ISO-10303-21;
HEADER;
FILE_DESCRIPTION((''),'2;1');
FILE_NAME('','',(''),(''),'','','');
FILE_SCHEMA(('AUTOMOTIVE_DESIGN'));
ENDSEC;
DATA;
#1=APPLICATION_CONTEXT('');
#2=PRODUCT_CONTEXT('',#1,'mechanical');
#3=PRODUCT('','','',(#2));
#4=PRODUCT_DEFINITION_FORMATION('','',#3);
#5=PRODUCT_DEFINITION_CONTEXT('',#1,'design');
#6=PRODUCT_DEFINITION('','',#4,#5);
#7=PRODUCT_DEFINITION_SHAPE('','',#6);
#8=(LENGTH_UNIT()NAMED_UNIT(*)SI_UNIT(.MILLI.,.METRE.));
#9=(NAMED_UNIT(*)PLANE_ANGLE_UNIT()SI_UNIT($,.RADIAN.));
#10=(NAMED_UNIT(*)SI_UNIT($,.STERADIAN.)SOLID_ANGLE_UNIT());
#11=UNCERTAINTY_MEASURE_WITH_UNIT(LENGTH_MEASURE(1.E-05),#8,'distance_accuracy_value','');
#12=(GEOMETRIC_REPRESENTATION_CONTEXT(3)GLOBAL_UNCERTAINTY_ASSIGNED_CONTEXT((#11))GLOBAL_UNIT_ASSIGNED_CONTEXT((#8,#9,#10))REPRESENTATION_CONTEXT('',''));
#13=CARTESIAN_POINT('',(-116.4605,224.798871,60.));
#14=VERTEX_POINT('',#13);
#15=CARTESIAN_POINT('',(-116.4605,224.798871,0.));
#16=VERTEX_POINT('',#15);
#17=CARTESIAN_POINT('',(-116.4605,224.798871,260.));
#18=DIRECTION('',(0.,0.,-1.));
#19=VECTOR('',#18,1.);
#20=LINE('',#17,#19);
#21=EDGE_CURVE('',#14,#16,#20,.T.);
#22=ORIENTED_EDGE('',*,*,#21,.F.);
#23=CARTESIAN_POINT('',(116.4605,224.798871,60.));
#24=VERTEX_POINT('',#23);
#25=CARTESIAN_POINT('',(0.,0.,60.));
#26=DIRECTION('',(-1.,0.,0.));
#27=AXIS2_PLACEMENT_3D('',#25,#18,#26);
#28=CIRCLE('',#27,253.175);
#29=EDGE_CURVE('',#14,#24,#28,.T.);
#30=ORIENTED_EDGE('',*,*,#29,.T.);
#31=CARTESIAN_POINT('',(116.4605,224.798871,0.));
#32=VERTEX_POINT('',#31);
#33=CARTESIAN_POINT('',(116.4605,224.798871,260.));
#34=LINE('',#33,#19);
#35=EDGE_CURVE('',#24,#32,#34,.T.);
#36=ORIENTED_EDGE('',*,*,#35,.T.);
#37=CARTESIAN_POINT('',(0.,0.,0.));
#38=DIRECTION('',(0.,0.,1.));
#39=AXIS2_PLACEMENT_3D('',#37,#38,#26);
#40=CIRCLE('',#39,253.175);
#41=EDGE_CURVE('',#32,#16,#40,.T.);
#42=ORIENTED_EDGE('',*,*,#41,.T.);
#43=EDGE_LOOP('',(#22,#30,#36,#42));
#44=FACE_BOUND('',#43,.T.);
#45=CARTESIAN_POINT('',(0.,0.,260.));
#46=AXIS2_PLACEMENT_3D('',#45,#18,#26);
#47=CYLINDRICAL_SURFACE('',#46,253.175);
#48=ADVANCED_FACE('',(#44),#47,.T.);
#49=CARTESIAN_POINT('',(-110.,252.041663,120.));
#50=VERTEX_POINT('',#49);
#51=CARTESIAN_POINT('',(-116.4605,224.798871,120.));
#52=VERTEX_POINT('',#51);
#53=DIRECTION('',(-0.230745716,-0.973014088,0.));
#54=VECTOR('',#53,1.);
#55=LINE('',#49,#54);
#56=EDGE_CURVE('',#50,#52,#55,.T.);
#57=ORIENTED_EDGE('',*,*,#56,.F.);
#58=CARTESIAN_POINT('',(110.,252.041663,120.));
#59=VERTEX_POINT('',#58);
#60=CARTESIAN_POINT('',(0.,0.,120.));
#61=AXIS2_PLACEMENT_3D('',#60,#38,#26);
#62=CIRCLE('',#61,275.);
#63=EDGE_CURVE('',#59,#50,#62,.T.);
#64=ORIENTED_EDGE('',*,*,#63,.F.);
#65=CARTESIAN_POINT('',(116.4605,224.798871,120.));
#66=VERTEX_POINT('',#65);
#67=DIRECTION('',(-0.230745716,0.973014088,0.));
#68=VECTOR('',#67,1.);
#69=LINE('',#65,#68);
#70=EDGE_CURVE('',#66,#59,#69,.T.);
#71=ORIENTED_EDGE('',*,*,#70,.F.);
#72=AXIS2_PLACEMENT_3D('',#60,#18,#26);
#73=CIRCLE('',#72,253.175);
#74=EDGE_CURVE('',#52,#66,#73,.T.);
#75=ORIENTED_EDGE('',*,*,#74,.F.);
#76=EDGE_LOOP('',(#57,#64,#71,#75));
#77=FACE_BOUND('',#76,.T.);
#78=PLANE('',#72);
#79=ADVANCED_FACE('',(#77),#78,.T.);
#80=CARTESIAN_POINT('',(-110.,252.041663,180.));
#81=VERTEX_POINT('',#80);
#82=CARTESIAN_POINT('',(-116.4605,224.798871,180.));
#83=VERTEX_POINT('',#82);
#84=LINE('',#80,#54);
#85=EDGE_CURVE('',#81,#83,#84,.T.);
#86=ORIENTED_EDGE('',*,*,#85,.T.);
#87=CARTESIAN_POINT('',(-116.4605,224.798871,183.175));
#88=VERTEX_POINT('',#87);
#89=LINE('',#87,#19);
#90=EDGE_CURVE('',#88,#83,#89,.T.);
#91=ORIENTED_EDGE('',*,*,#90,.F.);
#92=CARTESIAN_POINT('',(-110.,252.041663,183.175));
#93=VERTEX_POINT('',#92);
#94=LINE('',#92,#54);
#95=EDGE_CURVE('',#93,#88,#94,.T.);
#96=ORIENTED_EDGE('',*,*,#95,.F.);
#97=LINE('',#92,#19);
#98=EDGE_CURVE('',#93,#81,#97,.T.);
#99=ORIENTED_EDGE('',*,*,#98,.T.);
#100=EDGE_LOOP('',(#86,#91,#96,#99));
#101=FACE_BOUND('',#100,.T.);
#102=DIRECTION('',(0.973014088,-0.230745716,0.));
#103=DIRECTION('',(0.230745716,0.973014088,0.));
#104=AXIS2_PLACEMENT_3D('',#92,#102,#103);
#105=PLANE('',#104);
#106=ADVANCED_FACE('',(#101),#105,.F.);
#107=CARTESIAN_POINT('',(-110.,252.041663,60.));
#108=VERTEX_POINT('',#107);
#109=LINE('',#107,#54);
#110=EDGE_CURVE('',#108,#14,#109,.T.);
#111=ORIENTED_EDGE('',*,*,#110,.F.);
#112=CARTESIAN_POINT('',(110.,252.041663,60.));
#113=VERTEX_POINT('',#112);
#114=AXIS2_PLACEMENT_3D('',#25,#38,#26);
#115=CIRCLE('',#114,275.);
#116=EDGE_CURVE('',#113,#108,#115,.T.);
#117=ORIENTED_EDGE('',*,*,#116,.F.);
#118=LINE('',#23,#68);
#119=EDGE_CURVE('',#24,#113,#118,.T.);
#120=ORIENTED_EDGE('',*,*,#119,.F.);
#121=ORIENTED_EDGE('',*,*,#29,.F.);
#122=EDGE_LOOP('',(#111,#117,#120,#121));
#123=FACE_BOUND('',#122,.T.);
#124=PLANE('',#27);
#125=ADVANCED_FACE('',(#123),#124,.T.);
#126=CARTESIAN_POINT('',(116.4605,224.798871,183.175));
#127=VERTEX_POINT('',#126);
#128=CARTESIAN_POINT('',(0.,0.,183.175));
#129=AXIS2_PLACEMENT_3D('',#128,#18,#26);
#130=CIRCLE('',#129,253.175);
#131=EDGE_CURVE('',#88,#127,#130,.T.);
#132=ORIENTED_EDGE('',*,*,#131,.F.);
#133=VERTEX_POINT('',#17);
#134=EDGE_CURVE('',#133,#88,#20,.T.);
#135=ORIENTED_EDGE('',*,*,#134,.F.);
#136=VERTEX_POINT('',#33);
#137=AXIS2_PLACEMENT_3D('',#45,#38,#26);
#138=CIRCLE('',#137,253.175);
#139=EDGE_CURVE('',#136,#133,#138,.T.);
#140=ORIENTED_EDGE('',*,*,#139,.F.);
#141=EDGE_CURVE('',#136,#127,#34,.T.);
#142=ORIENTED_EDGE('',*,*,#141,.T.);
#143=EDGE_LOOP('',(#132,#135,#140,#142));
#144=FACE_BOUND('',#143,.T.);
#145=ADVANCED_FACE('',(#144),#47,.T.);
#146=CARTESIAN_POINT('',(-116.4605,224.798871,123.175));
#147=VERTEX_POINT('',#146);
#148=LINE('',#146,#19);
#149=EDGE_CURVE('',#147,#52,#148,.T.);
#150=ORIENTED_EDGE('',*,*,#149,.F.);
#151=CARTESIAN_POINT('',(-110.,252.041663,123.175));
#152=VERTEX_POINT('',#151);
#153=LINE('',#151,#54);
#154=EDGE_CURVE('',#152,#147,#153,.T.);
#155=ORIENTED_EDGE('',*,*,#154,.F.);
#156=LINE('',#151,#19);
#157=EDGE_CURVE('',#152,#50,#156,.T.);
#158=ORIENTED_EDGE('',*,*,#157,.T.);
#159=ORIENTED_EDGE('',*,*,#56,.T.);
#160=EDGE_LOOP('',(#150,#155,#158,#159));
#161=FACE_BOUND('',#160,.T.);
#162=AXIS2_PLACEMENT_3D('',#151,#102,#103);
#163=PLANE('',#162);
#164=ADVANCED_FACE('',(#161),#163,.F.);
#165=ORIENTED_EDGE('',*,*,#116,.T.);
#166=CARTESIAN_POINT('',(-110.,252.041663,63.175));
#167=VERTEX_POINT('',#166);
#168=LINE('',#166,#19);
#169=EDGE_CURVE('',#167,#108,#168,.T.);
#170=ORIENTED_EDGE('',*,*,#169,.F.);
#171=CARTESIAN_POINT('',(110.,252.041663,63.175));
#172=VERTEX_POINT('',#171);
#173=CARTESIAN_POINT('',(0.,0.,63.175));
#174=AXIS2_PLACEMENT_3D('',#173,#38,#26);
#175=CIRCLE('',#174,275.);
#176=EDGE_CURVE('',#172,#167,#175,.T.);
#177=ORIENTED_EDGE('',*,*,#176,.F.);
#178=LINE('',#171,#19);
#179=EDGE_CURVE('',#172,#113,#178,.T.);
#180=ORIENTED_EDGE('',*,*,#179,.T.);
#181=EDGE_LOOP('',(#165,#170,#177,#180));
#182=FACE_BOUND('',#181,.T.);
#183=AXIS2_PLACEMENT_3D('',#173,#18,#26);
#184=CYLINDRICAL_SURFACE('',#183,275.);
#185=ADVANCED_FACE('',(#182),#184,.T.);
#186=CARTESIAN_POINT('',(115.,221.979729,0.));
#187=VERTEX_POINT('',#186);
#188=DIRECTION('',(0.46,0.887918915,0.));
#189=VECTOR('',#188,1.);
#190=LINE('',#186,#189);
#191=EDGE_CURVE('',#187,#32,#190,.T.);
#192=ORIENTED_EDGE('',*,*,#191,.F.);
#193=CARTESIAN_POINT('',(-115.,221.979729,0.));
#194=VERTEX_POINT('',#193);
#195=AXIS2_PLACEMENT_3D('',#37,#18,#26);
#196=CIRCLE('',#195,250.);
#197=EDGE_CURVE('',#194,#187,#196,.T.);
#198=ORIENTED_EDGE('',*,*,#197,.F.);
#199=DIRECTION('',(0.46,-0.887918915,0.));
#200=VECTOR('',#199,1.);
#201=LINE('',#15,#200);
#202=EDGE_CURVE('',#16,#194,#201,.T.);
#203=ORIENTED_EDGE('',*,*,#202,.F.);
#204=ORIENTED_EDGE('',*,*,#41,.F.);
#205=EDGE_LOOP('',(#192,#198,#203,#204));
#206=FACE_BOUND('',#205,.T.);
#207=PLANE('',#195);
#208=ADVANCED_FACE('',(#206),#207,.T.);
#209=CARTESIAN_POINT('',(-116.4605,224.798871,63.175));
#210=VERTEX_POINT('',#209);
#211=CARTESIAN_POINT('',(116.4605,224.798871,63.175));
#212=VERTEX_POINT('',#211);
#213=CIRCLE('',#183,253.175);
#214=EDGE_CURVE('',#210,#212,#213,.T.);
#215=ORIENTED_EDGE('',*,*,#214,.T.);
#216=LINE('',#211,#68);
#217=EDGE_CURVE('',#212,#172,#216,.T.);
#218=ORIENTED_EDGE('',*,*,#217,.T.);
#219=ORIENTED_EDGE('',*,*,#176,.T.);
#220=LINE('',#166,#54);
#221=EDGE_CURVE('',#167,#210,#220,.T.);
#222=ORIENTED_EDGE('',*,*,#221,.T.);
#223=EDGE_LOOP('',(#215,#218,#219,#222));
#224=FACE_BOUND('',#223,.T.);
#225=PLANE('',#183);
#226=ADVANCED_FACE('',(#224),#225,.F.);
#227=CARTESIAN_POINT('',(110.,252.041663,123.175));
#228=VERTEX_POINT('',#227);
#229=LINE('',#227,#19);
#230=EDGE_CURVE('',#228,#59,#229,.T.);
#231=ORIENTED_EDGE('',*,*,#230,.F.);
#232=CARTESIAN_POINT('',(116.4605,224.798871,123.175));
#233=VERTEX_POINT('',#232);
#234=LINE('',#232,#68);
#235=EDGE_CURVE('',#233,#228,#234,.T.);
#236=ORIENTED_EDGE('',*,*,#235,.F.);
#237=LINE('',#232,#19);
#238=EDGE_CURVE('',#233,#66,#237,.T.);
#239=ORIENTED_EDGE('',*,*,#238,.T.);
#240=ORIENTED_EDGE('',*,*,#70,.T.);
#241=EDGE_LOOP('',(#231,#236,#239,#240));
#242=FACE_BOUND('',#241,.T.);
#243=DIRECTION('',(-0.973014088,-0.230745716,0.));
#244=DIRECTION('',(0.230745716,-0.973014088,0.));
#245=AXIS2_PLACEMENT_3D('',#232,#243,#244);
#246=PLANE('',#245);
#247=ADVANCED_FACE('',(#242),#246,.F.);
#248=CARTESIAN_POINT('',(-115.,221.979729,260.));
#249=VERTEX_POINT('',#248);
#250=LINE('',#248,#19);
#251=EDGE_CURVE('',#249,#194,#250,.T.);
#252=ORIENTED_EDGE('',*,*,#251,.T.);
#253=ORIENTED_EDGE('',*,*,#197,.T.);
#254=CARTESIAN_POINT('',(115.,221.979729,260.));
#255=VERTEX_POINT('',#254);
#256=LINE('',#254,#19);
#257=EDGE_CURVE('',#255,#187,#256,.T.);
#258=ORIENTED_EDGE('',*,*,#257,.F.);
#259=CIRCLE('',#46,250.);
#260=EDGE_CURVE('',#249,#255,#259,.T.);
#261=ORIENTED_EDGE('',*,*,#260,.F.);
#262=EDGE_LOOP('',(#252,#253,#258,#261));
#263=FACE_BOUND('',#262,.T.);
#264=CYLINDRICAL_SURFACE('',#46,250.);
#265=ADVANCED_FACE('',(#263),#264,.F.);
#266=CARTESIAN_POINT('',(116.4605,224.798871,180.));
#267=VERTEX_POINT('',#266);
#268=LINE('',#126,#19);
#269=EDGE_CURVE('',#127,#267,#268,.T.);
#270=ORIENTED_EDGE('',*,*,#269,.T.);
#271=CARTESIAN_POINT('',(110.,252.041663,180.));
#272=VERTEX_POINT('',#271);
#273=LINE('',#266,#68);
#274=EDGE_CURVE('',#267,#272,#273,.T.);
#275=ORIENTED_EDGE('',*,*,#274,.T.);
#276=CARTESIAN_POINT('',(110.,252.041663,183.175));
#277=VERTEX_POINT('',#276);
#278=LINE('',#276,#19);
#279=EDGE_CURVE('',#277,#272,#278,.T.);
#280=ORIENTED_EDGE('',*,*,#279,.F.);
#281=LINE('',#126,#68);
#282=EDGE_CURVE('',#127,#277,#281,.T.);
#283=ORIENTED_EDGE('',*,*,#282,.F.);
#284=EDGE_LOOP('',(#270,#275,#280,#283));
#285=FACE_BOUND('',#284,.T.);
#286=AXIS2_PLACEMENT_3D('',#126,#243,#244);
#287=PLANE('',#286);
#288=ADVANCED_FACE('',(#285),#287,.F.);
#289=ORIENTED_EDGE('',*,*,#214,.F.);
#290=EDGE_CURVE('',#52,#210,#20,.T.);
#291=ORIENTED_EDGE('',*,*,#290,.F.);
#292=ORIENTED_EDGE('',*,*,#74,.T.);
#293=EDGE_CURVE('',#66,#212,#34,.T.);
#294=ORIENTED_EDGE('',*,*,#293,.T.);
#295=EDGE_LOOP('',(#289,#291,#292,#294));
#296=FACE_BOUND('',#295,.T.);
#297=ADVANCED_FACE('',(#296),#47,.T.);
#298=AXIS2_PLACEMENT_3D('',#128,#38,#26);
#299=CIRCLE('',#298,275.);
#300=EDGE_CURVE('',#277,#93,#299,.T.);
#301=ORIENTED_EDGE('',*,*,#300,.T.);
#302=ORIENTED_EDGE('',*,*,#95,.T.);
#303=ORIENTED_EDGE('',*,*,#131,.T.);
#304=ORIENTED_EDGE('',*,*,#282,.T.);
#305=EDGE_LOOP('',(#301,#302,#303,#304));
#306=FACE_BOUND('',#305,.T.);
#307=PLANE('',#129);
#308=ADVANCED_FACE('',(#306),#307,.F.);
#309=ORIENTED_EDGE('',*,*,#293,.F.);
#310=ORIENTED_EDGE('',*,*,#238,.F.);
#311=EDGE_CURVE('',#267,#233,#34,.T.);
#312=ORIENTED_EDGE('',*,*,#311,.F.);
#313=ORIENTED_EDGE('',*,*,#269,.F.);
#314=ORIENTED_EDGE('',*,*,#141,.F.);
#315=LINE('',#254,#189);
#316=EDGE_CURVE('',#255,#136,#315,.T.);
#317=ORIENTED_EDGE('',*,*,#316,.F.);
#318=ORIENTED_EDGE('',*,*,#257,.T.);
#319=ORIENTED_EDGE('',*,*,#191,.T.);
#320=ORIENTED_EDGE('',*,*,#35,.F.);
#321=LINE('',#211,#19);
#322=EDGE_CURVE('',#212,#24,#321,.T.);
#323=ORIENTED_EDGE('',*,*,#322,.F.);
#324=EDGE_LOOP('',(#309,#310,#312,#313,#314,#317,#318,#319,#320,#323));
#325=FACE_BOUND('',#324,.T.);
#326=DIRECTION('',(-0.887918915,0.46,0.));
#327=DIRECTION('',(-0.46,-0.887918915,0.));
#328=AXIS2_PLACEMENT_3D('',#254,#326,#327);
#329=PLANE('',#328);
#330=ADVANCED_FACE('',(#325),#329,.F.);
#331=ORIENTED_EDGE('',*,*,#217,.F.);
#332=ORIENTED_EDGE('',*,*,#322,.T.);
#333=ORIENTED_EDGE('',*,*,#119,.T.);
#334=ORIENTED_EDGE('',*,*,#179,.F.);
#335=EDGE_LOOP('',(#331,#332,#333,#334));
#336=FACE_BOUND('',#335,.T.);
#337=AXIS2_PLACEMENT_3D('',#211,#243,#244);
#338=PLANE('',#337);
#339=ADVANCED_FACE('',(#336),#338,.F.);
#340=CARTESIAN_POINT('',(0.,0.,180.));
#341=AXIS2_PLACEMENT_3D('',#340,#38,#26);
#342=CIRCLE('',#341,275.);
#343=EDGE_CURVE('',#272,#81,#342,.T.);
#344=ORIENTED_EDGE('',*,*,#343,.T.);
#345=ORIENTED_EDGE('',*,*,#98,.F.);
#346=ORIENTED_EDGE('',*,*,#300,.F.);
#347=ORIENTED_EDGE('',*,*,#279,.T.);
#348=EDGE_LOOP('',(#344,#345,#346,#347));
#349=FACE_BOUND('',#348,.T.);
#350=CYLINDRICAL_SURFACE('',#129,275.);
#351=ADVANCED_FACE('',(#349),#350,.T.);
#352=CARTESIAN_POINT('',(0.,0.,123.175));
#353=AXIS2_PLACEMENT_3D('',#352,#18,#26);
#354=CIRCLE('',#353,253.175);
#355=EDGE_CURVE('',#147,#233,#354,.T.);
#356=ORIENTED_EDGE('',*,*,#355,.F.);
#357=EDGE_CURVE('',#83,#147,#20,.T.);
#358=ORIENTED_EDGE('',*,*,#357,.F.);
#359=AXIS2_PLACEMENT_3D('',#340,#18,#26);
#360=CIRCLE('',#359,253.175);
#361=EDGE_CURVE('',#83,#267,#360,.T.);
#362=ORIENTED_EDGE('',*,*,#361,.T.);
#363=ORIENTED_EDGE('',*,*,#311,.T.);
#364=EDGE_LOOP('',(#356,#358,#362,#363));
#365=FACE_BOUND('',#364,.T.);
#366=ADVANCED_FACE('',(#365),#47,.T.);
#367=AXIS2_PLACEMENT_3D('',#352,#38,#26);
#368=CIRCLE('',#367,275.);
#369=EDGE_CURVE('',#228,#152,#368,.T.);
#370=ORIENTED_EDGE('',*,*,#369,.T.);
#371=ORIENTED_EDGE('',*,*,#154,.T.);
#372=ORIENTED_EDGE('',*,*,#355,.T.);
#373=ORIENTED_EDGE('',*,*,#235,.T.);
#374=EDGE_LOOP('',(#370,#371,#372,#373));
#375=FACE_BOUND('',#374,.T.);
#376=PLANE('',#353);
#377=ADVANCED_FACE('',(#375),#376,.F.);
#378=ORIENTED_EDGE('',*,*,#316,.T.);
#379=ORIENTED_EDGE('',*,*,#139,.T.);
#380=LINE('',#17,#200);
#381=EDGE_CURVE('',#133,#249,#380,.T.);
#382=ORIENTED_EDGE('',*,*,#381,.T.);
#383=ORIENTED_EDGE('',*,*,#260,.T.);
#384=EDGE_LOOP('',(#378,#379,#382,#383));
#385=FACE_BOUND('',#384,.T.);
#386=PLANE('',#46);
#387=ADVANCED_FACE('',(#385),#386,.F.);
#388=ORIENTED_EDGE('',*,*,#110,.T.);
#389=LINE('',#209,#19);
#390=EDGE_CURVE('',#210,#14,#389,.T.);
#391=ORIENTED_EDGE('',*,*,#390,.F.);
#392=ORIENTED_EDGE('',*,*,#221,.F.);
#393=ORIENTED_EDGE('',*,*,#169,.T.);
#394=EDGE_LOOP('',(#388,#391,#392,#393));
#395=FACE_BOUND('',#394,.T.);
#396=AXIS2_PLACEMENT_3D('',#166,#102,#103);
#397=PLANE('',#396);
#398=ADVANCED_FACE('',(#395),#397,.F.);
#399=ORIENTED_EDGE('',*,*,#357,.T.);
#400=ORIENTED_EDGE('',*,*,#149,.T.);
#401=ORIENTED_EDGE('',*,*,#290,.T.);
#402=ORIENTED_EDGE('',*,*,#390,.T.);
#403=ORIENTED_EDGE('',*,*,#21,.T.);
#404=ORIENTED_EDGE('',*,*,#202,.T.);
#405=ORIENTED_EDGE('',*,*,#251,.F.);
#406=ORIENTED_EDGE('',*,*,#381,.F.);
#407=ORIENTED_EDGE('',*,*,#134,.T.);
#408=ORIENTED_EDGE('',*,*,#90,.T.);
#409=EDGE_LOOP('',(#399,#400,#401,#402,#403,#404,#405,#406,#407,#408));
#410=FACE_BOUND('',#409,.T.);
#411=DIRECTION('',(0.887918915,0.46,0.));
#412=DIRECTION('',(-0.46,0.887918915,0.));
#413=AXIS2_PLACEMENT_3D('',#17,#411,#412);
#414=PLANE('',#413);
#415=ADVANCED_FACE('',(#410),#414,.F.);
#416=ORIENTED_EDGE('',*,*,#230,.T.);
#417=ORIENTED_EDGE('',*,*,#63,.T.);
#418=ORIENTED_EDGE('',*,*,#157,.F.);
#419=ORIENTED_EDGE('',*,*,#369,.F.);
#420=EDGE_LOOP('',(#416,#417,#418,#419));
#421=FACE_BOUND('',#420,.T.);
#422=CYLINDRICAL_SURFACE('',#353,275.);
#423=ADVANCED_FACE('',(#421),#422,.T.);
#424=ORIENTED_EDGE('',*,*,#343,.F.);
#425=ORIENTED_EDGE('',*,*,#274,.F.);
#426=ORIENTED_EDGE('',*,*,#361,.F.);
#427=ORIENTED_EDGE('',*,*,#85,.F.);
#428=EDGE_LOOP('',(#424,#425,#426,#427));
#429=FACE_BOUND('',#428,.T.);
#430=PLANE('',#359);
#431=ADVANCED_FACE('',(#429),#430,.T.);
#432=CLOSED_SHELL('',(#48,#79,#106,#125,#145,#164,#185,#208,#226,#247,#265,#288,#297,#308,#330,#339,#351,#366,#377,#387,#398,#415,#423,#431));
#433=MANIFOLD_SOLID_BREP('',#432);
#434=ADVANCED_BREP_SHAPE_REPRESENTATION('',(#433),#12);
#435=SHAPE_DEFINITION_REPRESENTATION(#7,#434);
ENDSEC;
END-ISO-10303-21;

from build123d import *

# Parameters (mm, degrees)
BOSS_EXTRUDE1_DEPTH = 260
BOSS_EXTRUDE2_START = 60
BOSS_EXTRUDE2_DEPTH = 3.175
LPATTERN1_COUNT     = 3
LPATTERN1_PITCH     = 60


with BuildPart() as part:
    # Sketch1 → Boss-Extrude1 (new body)
    with BuildSketch(Plane.XY):
        with BuildLine():
            Line((-116.4605, 224.79887136), (-115, 221.979728804))
            ThreePointArc((-115, 221.979728804), (0, 250), (115, 221.979728804))
            Line((115, 221.979728804), (116.4605, 224.79887136))
            ThreePointArc((116.4605, 224.79887136), (0, 253.175), (-116.4605, 224.79887136))
        make_face()
    extrude(amount=BOSS_EXTRUDE1_DEPTH)

    # Sketch2 → Boss-Extrude2 (add)
    with BuildSketch(Plane.XY.offset(BOSS_EXTRUDE2_START)):
        with BuildLine():
            Line((-110, 252.041663223), (-116.4605, 224.79887136))
            ThreePointArc((-116.4605, 224.79887136), (0, 253.175), (116.4605, 224.79887136))
            Line((116.4605, 224.79887136), (110, 252.041663223))
            ThreePointArc((110, 252.041663223), (0, 275), (-110, 252.041663223))
        make_face()
    boss_extrude2 = extrude(amount=BOSS_EXTRUDE2_DEPTH)

    # LPattern1: Boss-Extrude2 ×3
    with Locations(*[(0, 0, i * LPATTERN1_PITCH) for i in range(1, LPATTERN1_COUNT)]):
        add(boss_extrude2)


solid = part.part
